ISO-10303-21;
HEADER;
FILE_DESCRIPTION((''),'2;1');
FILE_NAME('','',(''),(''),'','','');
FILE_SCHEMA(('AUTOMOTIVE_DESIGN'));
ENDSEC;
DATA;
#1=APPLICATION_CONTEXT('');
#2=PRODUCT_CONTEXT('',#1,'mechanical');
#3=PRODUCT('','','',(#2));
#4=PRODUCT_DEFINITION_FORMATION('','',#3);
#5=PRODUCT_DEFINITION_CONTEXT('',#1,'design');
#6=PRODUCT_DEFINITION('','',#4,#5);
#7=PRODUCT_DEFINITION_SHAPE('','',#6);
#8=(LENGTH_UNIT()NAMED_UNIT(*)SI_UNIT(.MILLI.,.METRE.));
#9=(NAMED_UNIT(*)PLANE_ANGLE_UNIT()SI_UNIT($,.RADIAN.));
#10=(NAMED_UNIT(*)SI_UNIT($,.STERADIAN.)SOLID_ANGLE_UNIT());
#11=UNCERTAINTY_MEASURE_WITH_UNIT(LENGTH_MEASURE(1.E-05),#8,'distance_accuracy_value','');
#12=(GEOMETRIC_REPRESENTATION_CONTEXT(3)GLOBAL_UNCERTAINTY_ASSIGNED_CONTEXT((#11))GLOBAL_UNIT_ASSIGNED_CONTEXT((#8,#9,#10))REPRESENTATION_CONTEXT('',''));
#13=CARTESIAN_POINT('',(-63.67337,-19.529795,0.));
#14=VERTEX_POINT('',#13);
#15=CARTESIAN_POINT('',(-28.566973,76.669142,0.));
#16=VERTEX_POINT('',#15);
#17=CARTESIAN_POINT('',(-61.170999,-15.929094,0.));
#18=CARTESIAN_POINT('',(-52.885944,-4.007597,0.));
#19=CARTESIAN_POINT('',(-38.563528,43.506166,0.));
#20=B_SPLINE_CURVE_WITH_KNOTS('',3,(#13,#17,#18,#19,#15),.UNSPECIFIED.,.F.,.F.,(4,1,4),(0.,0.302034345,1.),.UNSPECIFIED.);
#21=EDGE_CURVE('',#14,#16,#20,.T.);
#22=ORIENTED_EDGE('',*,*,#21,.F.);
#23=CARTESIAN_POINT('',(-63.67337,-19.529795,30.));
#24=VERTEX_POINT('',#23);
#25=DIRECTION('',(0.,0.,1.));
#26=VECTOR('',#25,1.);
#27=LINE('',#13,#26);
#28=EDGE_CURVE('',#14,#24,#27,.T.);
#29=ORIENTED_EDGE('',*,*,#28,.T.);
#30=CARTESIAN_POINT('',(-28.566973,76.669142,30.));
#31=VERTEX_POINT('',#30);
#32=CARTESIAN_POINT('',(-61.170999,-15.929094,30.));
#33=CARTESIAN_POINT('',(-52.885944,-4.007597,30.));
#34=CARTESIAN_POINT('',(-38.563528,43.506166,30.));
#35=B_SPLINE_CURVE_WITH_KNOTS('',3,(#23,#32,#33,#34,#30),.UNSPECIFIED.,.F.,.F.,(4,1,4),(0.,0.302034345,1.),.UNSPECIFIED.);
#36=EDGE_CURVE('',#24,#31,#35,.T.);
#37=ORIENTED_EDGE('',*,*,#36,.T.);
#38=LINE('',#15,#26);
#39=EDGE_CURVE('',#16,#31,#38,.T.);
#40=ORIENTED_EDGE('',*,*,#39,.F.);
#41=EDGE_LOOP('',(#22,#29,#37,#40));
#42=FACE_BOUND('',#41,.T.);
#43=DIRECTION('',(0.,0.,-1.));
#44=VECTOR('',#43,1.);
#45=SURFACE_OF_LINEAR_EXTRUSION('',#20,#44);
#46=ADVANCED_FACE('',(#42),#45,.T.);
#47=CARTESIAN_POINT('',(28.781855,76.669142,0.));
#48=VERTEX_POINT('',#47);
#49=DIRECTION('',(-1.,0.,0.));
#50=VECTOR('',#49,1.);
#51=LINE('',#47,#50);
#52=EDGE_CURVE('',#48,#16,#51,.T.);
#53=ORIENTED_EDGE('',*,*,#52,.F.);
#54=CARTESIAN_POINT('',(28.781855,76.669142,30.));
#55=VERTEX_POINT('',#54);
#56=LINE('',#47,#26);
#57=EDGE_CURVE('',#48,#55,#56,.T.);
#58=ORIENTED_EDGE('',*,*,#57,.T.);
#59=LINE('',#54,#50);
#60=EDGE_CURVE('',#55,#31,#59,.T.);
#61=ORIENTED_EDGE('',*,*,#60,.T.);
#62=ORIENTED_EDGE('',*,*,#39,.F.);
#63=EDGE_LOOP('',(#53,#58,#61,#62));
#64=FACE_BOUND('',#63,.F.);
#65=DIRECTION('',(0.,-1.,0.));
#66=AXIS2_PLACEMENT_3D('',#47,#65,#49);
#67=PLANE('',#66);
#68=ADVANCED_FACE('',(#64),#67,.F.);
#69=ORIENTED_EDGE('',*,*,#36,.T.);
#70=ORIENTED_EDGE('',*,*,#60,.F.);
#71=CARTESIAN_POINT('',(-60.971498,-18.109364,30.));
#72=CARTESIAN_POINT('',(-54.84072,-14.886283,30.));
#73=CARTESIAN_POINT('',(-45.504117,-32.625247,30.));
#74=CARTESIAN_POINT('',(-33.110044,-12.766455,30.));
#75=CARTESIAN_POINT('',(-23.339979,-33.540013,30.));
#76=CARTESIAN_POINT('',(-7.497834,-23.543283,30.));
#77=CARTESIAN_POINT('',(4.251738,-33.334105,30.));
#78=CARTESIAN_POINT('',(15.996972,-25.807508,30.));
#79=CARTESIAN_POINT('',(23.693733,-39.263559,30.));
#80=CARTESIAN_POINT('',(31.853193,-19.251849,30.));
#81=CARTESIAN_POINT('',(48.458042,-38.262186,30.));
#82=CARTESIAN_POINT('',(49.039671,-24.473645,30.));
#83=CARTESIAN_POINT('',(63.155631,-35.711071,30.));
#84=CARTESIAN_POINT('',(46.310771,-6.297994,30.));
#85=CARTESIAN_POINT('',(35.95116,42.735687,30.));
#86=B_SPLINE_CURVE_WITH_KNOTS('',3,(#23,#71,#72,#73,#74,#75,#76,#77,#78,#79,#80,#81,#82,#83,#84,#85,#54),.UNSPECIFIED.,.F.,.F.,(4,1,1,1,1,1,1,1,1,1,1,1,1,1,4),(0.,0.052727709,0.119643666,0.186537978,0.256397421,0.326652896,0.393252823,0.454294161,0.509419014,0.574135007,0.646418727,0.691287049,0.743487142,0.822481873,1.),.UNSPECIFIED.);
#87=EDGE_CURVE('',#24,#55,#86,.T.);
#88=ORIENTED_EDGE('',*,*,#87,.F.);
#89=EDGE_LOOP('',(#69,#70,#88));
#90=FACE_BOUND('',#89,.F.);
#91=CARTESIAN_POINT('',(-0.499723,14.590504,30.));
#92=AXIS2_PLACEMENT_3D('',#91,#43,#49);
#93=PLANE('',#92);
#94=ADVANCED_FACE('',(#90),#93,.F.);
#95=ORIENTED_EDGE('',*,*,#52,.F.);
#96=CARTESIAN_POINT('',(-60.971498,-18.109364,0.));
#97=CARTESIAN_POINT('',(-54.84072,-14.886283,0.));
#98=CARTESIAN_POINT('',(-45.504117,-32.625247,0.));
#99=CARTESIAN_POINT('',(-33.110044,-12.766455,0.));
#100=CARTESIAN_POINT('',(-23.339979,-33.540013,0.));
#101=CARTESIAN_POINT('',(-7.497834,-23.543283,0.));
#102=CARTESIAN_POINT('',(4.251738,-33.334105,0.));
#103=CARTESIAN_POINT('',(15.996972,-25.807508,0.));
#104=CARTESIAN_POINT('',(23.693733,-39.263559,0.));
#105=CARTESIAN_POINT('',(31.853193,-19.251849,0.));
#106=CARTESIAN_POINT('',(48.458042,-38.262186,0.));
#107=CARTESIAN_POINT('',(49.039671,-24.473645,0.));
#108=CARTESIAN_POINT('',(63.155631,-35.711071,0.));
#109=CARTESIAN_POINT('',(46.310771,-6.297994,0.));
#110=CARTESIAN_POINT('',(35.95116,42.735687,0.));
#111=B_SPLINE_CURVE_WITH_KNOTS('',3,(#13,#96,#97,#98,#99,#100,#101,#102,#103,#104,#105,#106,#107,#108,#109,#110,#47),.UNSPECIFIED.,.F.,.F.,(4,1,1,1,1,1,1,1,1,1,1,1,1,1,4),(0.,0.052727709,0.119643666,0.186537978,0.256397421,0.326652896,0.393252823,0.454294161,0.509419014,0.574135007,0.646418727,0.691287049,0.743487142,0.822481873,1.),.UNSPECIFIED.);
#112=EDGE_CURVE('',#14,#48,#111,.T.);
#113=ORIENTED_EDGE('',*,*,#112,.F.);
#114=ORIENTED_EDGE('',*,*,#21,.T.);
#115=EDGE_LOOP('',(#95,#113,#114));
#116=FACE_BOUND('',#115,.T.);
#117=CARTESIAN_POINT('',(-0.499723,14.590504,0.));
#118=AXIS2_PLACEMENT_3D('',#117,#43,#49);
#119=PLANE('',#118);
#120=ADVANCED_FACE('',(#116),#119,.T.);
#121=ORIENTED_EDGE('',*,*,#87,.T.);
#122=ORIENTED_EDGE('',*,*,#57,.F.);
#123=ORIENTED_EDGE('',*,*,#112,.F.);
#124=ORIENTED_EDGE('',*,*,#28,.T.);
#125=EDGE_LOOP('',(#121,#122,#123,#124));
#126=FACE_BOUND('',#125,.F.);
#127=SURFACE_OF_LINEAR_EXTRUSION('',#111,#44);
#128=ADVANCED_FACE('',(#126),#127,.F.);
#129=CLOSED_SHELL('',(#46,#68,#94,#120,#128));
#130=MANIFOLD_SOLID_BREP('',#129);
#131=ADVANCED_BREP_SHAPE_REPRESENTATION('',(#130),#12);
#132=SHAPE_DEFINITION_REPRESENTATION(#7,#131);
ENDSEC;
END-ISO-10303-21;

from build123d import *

# Parameters (mm, degrees)
F1_DEPTH = 30


with BuildPart() as f1:
    # F0 (on Top) → F1 (new body)
    with BuildSketch(Plane.XY):
        with BuildLine():
            add(Edge.make_bspline(
                [(-63.6733695865, -19.5297952741), (-61.1709985122, -15.9290939036), (-52.8859437917, -4.0075974502), (-38.5635277679, 43.5061663612), (-28.5669732839, 76.6691416502)],
                knots=[0, 0, 0, 0, 0.3020343448, 1, 1, 1, 1], degree=3))
            add(Edge.make_bspline(
                [(-63.6733695865, -19.5297952741), (-60.9714977196, -18.1093637033), (-54.8407202108, -14.8862834255), (-45.5041172789, -32.6252472474), (-33.1100440096, -12.7664548699), (-23.3399792251, -33.540012586), (-7.4978341596, -23.5432833412), (4.2517381541, -33.3341047754), (15.9969721463, -25.8075082973), (23.6937326238, -39.2635590597), (31.8531928628, -19.2518487243), (48.4580419651, -38.2621861746), (49.0396712252, -24.4736449565), (63.155631394, -35.7110708148), (46.3107709225, -6.2979944678), (35.9511598466, 42.7356873381), (28.7818554789, 76.6691416502)],
                knots=[0, 0, 0, 0, 0.0527277093, 0.1196436656, 0.1865379779, 0.256397421, 0.3266528961, 0.3932528226, 0.4542941613, 0.5094190142, 0.5741350073, 0.6464187269, 0.6912870488, 0.7434871421, 0.8224818732, 1, 1, 1, 1], degree=3))
            Line((28.7818554789, 76.6691416502), (-28.5669732839, 76.6691416502))
        make_face()
    extrude(amount=F1_DEPTH)


solid = f1.part
